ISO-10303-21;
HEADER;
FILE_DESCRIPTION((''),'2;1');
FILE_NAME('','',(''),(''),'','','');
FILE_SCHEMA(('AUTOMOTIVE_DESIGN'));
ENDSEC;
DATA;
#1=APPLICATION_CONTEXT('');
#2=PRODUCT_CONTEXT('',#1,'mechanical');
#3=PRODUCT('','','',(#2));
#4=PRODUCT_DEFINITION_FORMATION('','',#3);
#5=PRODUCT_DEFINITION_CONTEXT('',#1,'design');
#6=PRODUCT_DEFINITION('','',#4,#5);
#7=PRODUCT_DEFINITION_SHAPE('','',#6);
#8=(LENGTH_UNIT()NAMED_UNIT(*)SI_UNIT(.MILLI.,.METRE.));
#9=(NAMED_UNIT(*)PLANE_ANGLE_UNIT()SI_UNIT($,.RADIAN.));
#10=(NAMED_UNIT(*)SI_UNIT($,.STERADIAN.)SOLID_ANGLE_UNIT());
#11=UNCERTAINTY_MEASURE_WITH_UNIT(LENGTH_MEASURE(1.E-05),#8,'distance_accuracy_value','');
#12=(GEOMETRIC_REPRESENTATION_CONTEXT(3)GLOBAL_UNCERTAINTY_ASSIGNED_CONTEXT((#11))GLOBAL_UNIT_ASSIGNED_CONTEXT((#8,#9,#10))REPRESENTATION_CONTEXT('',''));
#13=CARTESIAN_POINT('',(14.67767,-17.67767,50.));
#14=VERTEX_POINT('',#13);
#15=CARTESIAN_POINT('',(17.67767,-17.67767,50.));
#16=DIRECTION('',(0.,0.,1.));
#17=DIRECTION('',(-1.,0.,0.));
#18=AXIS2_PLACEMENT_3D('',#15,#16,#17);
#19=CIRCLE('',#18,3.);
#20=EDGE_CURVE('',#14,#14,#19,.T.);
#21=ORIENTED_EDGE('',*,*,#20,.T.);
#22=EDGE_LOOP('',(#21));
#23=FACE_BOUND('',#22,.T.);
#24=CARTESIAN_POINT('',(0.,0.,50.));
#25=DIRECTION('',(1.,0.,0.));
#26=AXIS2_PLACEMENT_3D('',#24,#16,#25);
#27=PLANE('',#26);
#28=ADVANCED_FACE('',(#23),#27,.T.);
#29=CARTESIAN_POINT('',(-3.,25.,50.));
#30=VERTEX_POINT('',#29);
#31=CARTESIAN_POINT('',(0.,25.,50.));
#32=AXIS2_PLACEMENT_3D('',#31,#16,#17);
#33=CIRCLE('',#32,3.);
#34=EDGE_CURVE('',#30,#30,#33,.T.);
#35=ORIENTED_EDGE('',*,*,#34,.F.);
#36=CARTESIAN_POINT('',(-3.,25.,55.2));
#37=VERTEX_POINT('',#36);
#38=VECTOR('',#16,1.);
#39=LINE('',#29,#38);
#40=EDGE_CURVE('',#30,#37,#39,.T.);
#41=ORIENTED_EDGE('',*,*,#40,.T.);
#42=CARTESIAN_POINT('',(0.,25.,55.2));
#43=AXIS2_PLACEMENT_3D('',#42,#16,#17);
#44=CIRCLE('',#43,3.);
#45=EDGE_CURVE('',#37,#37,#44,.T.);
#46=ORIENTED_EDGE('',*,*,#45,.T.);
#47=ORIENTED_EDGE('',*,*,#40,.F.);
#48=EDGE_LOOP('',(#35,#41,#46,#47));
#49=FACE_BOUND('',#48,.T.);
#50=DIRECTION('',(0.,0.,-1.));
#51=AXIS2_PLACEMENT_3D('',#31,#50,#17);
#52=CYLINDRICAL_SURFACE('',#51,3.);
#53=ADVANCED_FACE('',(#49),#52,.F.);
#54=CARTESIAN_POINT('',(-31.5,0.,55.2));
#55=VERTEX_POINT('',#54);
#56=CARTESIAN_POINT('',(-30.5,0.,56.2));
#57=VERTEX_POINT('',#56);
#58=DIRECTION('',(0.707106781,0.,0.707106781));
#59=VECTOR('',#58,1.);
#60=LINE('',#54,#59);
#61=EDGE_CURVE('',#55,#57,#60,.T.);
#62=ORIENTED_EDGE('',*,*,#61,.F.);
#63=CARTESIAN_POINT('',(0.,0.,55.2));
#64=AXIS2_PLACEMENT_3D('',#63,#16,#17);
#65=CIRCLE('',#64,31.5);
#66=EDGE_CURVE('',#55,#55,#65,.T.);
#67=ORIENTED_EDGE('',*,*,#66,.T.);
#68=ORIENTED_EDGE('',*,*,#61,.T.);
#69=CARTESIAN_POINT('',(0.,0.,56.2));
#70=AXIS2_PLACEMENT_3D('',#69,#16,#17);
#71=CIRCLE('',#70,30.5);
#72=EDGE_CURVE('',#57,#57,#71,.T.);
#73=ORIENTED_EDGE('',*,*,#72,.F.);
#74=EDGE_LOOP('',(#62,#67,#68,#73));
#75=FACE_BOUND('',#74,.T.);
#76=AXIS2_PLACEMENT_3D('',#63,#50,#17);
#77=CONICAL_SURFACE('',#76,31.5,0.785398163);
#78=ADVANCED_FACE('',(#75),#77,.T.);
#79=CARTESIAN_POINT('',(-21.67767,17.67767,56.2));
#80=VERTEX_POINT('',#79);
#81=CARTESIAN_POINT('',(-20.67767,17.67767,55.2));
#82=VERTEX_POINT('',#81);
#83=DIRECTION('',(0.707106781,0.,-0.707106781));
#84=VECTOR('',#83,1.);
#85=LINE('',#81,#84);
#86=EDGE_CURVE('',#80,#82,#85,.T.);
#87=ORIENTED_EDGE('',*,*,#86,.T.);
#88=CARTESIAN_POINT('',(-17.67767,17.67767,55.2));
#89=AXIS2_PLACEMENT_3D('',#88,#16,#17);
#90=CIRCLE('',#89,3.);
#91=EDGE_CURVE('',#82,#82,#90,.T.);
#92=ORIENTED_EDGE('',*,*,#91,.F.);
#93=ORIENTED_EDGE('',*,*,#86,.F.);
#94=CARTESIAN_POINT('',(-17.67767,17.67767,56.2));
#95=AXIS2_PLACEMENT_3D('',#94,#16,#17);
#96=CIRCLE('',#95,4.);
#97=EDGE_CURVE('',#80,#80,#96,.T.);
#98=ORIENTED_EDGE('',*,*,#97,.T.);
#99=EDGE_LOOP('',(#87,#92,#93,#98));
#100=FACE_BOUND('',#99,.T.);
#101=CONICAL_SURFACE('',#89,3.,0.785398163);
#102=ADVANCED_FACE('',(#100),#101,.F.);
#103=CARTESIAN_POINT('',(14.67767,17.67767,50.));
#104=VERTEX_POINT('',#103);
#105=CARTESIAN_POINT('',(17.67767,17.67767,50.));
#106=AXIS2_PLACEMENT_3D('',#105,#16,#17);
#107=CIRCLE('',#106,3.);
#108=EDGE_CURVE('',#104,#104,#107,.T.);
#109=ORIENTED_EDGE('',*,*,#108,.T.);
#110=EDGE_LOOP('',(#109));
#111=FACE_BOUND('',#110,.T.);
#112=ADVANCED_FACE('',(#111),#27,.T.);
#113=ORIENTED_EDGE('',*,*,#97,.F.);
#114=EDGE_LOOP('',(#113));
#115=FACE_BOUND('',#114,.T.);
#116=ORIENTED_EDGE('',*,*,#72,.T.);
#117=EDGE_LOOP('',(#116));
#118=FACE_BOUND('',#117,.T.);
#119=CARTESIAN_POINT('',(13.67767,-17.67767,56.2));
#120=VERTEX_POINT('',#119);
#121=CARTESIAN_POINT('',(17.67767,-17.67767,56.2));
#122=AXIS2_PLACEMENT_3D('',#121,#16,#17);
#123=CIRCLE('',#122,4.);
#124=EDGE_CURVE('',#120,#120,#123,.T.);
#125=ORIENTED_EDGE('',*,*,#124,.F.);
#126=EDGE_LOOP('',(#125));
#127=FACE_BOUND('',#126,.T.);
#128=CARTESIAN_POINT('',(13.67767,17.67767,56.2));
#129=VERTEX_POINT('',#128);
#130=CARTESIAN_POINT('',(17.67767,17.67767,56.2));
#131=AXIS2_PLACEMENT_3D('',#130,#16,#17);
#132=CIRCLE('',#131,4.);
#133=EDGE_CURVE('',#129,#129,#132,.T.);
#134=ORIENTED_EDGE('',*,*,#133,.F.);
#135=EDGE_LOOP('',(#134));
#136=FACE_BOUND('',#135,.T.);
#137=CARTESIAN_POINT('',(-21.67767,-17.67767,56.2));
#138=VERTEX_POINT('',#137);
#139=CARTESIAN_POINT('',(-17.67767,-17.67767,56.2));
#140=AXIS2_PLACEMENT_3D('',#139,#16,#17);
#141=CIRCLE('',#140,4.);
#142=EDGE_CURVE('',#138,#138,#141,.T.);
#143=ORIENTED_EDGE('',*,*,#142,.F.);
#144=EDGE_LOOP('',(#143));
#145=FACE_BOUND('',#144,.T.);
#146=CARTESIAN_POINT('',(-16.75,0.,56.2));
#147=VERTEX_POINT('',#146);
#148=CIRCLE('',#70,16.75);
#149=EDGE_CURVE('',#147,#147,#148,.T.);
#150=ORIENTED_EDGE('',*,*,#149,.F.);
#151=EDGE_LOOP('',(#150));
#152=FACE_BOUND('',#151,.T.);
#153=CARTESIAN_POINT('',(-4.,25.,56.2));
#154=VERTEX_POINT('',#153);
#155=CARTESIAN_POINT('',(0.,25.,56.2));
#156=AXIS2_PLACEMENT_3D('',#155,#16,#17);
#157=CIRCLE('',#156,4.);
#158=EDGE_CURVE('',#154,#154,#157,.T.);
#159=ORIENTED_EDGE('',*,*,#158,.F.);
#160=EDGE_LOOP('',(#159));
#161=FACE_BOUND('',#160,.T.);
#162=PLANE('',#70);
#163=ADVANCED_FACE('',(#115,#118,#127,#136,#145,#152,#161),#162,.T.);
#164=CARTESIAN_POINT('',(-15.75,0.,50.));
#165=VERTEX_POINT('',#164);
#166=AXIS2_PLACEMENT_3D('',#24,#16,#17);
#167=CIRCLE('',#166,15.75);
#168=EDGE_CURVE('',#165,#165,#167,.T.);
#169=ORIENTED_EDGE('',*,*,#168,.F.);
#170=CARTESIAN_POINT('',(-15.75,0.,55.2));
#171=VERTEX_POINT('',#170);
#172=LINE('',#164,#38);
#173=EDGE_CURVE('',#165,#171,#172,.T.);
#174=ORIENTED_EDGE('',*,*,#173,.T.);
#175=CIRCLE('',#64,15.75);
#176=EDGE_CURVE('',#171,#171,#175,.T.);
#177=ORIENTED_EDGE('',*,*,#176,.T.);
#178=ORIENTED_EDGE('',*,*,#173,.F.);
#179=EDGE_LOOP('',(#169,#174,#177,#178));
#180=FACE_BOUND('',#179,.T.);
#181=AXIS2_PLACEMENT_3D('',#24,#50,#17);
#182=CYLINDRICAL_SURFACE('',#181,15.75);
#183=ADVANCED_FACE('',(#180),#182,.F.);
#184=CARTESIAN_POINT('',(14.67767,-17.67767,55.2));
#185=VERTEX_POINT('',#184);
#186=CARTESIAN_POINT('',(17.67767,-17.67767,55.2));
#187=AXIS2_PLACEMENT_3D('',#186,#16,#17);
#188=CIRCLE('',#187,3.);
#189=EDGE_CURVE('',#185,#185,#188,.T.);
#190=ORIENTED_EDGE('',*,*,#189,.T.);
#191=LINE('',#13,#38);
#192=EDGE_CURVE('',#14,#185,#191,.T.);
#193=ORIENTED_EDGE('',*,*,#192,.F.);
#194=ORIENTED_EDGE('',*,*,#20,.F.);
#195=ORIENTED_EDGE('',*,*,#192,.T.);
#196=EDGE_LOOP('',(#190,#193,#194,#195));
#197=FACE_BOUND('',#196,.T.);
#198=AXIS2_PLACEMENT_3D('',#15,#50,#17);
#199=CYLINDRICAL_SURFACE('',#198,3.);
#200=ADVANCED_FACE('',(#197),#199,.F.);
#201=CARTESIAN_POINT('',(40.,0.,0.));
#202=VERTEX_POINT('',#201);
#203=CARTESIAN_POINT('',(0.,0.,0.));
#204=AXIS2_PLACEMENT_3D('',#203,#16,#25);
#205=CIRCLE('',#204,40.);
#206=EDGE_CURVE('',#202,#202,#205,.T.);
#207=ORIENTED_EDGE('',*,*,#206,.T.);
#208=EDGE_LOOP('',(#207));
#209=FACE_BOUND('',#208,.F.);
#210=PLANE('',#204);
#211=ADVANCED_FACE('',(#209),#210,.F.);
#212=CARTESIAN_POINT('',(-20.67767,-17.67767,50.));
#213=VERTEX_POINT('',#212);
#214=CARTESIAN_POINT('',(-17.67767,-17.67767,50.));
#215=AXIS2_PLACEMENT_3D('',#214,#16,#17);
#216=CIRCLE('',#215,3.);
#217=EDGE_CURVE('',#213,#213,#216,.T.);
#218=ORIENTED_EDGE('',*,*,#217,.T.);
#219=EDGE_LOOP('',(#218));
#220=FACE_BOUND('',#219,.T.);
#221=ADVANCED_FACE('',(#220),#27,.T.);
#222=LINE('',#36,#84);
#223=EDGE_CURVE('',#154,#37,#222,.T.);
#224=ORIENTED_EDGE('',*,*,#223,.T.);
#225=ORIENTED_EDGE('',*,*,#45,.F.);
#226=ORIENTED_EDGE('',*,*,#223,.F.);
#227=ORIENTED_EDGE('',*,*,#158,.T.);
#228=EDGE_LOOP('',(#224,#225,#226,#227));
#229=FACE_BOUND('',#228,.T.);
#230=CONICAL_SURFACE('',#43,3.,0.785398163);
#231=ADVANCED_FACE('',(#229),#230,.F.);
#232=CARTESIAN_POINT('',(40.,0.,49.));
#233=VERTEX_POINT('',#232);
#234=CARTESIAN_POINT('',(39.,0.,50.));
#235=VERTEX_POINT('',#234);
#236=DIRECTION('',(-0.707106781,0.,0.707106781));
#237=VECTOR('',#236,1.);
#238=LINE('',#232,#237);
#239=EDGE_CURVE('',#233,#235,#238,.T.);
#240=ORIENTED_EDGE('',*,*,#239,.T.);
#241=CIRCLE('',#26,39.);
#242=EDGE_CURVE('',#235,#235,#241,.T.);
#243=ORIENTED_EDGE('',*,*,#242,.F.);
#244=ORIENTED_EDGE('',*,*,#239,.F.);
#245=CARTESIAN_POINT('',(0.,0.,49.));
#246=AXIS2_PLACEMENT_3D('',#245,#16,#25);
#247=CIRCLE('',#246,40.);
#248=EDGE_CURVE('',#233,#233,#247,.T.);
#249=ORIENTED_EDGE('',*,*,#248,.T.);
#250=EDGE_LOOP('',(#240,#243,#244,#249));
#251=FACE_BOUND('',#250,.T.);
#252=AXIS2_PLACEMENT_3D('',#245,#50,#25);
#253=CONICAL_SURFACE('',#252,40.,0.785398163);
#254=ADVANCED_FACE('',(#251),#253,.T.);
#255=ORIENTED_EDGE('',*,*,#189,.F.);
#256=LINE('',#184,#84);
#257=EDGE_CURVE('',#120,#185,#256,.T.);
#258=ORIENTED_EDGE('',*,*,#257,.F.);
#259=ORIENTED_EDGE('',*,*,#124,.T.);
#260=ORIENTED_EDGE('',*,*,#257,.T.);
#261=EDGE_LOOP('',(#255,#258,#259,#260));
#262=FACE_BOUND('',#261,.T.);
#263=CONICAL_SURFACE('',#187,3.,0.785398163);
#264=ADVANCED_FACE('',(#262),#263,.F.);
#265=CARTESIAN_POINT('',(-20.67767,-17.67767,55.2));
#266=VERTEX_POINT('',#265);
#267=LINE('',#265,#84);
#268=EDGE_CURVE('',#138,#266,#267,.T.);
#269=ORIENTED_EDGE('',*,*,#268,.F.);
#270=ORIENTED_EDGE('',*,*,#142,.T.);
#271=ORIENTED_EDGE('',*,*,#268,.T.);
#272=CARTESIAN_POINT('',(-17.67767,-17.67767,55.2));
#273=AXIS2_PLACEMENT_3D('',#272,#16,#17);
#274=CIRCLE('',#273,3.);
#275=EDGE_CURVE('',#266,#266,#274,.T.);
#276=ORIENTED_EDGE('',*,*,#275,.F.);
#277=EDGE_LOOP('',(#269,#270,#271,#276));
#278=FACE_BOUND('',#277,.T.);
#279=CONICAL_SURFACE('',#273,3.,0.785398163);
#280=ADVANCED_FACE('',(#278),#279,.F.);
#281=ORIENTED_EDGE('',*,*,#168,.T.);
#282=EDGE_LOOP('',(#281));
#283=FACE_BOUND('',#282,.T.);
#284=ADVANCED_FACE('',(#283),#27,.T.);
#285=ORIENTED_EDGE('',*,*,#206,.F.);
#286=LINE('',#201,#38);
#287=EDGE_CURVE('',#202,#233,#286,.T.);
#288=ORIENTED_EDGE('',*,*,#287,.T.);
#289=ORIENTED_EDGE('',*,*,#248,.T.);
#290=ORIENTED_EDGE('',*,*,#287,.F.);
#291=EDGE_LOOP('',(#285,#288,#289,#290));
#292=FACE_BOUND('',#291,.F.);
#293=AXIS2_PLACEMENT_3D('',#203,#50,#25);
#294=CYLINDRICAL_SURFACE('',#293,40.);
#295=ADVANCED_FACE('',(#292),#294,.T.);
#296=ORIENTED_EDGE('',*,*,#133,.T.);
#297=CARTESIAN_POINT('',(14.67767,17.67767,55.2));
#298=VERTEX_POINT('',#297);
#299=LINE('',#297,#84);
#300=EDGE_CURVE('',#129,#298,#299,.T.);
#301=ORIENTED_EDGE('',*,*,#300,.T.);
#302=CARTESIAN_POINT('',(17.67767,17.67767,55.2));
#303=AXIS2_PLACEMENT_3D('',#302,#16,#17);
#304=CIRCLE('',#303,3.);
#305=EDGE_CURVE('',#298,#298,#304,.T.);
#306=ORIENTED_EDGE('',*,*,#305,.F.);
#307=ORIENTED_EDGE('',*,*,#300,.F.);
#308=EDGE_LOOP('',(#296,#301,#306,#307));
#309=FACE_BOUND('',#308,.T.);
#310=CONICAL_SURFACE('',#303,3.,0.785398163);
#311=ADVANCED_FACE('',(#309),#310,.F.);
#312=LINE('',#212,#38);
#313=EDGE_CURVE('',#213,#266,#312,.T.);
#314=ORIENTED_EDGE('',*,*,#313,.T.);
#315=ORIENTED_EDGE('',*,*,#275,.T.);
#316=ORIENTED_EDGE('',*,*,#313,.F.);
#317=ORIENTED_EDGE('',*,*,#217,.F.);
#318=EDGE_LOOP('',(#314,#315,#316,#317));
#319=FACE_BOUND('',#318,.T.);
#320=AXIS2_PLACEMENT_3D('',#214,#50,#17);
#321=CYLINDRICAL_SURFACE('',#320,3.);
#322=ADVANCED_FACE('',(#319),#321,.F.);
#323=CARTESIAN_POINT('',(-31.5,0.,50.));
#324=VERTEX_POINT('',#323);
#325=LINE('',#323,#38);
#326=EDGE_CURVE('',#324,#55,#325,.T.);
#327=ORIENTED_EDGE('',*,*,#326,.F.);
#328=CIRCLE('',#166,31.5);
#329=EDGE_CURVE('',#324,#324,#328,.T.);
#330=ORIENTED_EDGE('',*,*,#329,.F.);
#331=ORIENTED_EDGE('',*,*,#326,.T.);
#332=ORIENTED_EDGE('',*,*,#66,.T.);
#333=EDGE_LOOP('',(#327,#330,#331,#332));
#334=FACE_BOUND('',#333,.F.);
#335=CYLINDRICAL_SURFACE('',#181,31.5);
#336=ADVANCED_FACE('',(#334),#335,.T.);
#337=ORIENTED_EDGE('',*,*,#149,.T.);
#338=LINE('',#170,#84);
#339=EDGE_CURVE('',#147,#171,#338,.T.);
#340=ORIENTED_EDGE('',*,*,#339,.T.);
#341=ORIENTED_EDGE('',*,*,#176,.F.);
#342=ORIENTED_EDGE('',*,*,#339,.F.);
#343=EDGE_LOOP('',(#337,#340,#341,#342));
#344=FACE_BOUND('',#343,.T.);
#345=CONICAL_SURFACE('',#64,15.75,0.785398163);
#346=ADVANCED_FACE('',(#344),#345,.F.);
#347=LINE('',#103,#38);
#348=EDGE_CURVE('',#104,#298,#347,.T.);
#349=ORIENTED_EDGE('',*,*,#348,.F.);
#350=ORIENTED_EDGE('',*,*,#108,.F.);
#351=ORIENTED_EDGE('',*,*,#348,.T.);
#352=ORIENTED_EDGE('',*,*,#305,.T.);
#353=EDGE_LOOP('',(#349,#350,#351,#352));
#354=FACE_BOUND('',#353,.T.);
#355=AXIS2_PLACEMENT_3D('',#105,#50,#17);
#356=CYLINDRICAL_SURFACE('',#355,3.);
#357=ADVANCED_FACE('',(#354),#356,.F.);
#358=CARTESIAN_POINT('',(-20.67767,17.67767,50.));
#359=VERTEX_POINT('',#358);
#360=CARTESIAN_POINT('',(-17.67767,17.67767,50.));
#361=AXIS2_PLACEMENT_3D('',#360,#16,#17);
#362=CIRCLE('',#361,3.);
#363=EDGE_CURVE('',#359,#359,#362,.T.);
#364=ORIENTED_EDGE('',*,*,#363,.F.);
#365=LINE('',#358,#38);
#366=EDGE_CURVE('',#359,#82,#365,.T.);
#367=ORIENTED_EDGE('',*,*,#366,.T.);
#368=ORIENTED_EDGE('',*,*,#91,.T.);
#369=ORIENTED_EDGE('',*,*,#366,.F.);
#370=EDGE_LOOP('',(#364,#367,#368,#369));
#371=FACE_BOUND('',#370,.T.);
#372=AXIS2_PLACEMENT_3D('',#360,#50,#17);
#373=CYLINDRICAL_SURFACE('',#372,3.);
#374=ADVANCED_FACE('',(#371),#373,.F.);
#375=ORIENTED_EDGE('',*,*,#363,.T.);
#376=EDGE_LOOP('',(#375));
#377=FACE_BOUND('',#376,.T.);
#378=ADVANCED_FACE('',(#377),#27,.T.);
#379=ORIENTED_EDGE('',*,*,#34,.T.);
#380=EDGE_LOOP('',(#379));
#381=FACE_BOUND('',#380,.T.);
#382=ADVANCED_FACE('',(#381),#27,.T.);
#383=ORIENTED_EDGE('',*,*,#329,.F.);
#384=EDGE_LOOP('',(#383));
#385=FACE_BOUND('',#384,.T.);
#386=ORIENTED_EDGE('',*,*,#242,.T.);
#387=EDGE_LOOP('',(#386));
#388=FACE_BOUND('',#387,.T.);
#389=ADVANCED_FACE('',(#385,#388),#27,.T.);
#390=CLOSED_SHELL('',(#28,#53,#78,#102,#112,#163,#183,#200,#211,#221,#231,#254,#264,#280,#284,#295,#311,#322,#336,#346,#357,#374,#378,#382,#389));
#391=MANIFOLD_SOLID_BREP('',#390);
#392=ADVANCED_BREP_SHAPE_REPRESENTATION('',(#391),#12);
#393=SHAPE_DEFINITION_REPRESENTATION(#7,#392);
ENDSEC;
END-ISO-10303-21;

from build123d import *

# Parameters (mm, degrees)
SKIZZE1_R                       = 40
AUFSATZ_LINEAR_AUSTRAGEN1_DEPTH = 50
SKIZZE2_R                       = 31.5
SKIZZE2_R_2                     = 15.75
SKIZZE2_R_3                     = 3
AUFSATZ_LINEAR_AUSTRAGEN2_DEPTH = 6.2
FASE1_SIZE                      = 1


with BuildPart() as part:
    # Skizze1 → Aufsatz-Linear austragen1 (new body)
    with BuildSketch(Plane.XY):
        Circle(SKIZZE1_R)
    extrude(amount=AUFSATZ_LINEAR_AUSTRAGEN1_DEPTH)

    # Skizze2 → Aufsatz-Linear austragen2 (add)
    with BuildSketch(Plane.XY.offset(50)):
        with Locations(Location((0, 0, 0), (0, 0, 180))):
            Circle(SKIZZE2_R)
        with Locations(Location((0, 0, 0), (0, 0, 180))):
            Circle(SKIZZE2_R_2, mode=Mode.SUBTRACT)
        with Locations(Location((0, 25, 0), (0, 0, 180))):
            Circle(SKIZZE2_R_3, mode=Mode.SUBTRACT)
        with Locations(Location((17.67766953, 17.67766953, 0), (0, 0, 180))):
            Circle(SKIZZE2_R_3, mode=Mode.SUBTRACT)
        with Locations(Location((17.67766953, -17.67766953, 0), (0, 0, 180))):
            Circle(SKIZZE2_R_3, mode=Mode.SUBTRACT)
        with Locations(Location((-17.67766953, -17.67766953, 0), (0, 0, 180))):
            Circle(SKIZZE2_R_3, mode=Mode.SUBTRACT)
        with Locations(Location((-17.67766953, 17.67766953, 0), (0, 0, 180))):
            Circle(SKIZZE2_R_3, mode=Mode.SUBTRACT)
    extrude(amount=AUFSATZ_LINEAR_AUSTRAGEN2_DEPTH)

    # Fase1
    fase1_edges = [part.edges().sort_by_distance(p)[0] for p in [
        (31.5, 0, 56.2),
        (15.75, 0, 56.2),
        (3, 25, 56.2),
        (20.67766953, 17.67766953, 56.2),
        (20.67766953, -17.67766953, 56.2),
        (-14.67766953, -17.67766953, 56.2),
        (-14.67766953, 17.67766953, 56.2),
        (-40, 0, 50),
    ]]
    chamfer(fase1_edges, length=FASE1_SIZE)


solid = part.part
